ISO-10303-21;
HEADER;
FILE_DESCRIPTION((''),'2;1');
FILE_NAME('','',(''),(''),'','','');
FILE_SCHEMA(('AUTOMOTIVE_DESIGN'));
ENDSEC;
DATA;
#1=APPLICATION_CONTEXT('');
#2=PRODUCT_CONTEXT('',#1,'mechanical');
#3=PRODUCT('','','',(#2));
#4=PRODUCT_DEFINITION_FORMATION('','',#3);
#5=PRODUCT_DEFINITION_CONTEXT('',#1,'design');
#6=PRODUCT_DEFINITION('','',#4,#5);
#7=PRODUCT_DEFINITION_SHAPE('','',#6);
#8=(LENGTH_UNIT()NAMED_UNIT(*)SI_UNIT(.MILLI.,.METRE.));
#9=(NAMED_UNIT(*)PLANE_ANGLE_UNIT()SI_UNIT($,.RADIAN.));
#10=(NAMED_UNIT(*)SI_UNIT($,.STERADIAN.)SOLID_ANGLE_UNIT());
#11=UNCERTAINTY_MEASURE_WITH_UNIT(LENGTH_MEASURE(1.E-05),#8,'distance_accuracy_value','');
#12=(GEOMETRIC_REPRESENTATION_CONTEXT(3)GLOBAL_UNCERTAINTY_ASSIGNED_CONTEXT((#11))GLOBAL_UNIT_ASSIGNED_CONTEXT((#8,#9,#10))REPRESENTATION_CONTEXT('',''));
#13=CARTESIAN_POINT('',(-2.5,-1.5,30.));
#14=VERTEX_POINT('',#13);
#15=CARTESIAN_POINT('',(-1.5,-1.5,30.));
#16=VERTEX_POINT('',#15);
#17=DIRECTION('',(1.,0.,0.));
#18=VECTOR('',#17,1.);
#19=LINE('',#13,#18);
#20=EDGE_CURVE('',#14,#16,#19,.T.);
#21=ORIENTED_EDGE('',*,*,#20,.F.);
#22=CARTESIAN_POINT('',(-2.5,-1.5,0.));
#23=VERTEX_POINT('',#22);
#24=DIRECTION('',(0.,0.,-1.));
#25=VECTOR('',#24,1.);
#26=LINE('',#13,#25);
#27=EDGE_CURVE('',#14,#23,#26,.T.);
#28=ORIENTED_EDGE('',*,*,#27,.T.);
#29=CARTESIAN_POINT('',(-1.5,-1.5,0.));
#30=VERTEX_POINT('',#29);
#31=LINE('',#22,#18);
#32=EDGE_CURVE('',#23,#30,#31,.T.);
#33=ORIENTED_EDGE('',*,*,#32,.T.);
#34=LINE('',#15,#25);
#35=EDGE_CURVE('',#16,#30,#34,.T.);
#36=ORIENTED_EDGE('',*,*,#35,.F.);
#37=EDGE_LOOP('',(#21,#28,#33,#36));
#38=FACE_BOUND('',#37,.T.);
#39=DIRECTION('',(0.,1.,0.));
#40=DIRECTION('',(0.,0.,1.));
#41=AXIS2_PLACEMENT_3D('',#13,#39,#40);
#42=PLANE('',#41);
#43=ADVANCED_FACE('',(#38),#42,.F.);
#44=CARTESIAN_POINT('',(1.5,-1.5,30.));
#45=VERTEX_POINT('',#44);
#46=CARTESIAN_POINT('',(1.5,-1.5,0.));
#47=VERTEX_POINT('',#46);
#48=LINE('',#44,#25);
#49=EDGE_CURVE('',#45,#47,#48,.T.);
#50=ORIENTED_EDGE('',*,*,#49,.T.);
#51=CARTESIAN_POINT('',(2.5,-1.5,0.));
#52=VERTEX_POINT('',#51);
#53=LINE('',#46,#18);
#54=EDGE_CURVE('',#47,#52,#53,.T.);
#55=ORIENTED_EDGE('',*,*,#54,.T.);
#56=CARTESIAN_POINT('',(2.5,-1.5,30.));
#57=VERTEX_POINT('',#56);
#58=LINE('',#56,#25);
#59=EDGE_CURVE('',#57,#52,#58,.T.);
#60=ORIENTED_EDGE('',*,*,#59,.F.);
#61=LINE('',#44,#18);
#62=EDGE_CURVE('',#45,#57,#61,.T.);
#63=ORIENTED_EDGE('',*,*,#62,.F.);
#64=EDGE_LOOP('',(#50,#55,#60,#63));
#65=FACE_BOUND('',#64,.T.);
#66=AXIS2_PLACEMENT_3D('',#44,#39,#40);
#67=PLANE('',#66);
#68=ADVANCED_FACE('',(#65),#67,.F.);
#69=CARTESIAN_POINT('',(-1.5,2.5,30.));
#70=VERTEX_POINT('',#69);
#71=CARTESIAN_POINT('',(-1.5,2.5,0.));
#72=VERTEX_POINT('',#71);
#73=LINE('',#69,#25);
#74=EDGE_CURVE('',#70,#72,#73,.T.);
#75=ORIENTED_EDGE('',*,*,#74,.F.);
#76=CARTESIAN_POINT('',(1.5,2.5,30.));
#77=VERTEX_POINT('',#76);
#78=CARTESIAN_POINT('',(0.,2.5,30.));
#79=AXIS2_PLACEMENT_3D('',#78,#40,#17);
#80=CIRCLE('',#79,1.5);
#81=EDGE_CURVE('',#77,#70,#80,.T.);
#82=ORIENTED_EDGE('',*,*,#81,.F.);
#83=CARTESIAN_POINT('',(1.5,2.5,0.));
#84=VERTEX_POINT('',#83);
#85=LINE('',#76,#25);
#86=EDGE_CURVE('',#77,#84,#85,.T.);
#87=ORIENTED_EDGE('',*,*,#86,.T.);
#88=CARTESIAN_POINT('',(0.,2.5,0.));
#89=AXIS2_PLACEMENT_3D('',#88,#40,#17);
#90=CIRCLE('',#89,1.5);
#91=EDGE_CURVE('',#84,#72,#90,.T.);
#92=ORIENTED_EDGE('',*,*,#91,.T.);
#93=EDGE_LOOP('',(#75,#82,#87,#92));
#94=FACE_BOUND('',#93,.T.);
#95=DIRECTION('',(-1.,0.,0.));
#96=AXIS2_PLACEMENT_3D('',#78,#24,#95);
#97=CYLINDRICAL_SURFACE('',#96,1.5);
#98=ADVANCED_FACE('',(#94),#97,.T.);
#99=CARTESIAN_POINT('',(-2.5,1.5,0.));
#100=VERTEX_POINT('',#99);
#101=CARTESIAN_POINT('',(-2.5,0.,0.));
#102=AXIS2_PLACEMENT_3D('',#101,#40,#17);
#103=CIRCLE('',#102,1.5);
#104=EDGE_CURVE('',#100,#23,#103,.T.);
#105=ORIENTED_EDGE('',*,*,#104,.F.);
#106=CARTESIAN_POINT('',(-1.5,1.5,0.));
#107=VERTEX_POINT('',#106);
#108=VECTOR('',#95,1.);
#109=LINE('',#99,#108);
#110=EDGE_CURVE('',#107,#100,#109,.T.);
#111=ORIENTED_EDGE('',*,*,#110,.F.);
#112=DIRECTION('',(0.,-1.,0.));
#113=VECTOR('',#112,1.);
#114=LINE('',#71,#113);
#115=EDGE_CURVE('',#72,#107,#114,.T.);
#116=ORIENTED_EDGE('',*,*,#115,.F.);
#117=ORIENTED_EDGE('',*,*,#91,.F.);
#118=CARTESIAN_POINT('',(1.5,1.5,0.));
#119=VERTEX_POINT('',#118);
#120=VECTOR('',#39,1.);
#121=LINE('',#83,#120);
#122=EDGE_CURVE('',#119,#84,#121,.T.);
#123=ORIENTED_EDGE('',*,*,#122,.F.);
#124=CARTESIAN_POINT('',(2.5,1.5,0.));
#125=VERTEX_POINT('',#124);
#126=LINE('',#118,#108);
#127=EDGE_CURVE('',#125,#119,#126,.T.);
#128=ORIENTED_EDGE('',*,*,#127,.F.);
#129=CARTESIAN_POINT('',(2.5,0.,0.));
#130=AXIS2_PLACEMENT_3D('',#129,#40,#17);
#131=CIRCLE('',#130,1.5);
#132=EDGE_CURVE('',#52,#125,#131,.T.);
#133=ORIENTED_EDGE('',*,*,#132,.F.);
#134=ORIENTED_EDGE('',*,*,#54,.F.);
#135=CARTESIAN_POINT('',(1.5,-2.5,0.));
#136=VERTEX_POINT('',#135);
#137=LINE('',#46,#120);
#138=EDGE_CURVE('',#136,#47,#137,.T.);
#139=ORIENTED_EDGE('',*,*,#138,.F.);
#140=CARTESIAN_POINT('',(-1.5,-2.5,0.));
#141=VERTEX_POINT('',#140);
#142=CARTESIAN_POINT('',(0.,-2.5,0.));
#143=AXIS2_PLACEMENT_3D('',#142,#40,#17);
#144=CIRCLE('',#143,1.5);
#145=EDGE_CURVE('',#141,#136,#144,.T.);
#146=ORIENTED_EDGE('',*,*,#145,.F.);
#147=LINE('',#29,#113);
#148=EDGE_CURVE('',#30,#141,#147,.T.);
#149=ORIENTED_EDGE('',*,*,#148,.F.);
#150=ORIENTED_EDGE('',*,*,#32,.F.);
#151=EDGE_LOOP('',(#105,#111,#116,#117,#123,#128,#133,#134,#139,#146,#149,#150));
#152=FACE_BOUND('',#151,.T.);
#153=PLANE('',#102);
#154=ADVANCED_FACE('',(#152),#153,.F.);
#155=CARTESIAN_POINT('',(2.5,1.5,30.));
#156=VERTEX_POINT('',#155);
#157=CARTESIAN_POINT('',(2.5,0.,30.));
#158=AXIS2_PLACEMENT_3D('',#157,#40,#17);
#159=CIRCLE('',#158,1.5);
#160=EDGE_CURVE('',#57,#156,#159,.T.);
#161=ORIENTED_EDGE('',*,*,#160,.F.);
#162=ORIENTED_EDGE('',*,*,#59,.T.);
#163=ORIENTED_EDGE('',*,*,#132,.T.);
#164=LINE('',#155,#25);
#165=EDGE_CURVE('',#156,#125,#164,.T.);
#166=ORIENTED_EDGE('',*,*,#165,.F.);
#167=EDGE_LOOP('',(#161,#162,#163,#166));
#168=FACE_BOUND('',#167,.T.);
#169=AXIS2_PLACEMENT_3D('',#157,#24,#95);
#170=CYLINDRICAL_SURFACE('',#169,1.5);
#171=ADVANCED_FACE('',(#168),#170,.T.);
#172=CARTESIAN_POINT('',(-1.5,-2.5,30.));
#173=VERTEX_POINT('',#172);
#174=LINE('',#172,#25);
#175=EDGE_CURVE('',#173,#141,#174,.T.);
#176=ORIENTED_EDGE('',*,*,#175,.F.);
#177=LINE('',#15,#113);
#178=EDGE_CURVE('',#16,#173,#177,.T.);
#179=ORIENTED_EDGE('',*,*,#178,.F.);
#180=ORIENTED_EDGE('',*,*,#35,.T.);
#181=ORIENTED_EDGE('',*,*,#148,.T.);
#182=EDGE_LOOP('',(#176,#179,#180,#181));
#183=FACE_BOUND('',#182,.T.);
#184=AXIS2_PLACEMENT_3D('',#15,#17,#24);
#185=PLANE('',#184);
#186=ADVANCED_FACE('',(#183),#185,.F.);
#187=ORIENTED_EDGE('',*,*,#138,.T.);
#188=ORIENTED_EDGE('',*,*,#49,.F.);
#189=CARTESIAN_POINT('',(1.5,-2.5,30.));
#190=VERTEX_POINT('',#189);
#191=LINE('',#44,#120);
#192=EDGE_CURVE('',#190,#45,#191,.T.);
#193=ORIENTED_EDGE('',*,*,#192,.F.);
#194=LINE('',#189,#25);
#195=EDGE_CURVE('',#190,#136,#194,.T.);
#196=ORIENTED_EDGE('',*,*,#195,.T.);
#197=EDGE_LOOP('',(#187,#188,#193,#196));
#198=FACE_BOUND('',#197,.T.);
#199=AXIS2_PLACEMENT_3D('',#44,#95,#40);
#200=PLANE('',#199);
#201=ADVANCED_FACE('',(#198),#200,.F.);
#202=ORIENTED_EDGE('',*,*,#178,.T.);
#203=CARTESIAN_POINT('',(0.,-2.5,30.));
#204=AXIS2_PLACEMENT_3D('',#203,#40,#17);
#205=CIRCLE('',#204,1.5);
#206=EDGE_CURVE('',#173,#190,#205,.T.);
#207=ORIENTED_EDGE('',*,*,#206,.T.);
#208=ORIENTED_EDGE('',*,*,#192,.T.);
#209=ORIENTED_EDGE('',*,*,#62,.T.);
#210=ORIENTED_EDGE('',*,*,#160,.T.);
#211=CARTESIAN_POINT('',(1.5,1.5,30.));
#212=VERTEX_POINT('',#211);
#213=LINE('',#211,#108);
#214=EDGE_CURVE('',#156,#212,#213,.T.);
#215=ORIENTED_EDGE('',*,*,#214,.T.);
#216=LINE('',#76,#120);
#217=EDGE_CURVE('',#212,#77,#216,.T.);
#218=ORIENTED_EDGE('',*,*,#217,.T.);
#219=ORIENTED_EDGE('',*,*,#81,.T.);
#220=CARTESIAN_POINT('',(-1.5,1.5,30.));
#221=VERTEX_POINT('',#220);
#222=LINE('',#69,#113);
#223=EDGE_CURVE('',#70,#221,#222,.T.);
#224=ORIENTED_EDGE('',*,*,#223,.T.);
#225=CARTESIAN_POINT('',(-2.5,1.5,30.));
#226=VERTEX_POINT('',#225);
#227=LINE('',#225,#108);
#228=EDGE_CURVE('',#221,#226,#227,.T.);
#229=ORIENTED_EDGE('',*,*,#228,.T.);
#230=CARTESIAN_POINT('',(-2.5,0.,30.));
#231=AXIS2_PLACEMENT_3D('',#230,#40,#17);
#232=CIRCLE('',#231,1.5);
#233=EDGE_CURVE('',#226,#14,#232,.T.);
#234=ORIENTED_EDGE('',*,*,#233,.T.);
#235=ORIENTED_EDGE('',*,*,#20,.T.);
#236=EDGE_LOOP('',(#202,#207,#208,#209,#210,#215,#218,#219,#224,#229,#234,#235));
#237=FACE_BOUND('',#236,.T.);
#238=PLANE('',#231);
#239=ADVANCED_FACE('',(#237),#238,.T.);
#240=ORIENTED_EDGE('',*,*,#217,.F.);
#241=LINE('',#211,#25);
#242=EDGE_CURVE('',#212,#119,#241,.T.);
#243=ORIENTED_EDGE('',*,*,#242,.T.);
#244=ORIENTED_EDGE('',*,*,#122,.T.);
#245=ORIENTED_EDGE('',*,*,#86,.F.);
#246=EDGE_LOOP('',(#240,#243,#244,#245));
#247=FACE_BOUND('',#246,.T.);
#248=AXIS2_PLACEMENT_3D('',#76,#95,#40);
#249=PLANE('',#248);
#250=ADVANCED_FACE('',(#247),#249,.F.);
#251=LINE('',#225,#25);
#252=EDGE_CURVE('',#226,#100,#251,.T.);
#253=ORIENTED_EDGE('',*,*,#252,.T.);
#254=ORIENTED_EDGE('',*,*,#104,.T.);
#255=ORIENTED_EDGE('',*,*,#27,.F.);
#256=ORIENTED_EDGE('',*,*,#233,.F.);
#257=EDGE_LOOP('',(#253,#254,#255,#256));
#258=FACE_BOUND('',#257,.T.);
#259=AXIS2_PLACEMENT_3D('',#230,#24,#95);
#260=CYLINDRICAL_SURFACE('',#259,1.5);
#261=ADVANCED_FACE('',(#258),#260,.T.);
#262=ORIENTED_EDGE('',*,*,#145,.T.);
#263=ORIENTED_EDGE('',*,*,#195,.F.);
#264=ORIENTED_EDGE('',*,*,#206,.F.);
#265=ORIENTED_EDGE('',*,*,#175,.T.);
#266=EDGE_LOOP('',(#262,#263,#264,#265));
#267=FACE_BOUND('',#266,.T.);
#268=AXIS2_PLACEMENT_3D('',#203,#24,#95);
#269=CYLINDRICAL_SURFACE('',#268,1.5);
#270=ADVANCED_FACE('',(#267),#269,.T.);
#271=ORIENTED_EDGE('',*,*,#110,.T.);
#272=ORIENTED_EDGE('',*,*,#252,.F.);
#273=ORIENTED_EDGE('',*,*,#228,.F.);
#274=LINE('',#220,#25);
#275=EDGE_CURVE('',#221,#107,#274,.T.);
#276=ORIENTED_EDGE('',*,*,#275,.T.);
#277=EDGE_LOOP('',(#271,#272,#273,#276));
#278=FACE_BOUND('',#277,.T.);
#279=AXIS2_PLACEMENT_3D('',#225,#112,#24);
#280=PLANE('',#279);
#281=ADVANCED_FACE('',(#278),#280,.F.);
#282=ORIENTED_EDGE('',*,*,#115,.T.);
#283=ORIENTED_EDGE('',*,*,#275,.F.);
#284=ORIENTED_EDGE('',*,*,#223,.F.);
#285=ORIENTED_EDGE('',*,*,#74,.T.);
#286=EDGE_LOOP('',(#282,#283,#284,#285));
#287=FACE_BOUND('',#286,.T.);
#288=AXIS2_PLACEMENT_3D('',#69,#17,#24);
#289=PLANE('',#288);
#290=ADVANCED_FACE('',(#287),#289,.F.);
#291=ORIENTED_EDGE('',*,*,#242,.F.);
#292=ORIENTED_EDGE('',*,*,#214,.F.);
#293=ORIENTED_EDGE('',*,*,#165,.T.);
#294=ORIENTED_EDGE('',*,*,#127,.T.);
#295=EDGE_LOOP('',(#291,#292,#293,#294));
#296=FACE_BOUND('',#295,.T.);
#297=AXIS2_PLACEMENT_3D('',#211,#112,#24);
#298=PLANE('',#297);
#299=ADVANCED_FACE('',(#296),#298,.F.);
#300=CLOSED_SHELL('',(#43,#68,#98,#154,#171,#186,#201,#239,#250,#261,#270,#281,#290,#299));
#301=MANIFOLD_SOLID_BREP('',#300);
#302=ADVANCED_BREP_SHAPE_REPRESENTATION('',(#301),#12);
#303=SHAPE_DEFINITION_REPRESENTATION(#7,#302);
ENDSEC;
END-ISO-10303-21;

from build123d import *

# Parameters (mm, degrees)
BOSS_EXTRUDE1_DEPTH = 30


with BuildPart() as part:
    # Sketch1 → Boss-Extrude1 (new body)
    with BuildSketch(Plane.XY):
        with BuildLine():
            Line((-2.5, 1.5), (-1.5, 1.5))
            Line((-1.5, 1.5), (-1.5, 2.5))
            ThreePointArc((-1.5, 2.5), (0, 4), (1.5, 2.5))
            Line((1.5, 2.5), (1.5, 1.5))
            Line((1.5, 1.5), (2.5, 1.5))
            ThreePointArc((2.5, 1.5), (4, 0), (2.5, -1.5))
            Line((2.5, -1.5), (1.5, -1.5))
            Line((1.5, -1.5), (1.5, -2.5))
            ThreePointArc((1.5, -2.5), (0, -4), (-1.5, -2.5))
            Line((-1.5, -2.5), (-1.5, -1.5))
            Line((-1.5, -1.5), (-2.5, -1.5))
            ThreePointArc((-2.5, -1.5), (-4, 0), (-2.5, 1.5))
        make_face()
    extrude(amount=BOSS_EXTRUDE1_DEPTH)


solid = part.part
